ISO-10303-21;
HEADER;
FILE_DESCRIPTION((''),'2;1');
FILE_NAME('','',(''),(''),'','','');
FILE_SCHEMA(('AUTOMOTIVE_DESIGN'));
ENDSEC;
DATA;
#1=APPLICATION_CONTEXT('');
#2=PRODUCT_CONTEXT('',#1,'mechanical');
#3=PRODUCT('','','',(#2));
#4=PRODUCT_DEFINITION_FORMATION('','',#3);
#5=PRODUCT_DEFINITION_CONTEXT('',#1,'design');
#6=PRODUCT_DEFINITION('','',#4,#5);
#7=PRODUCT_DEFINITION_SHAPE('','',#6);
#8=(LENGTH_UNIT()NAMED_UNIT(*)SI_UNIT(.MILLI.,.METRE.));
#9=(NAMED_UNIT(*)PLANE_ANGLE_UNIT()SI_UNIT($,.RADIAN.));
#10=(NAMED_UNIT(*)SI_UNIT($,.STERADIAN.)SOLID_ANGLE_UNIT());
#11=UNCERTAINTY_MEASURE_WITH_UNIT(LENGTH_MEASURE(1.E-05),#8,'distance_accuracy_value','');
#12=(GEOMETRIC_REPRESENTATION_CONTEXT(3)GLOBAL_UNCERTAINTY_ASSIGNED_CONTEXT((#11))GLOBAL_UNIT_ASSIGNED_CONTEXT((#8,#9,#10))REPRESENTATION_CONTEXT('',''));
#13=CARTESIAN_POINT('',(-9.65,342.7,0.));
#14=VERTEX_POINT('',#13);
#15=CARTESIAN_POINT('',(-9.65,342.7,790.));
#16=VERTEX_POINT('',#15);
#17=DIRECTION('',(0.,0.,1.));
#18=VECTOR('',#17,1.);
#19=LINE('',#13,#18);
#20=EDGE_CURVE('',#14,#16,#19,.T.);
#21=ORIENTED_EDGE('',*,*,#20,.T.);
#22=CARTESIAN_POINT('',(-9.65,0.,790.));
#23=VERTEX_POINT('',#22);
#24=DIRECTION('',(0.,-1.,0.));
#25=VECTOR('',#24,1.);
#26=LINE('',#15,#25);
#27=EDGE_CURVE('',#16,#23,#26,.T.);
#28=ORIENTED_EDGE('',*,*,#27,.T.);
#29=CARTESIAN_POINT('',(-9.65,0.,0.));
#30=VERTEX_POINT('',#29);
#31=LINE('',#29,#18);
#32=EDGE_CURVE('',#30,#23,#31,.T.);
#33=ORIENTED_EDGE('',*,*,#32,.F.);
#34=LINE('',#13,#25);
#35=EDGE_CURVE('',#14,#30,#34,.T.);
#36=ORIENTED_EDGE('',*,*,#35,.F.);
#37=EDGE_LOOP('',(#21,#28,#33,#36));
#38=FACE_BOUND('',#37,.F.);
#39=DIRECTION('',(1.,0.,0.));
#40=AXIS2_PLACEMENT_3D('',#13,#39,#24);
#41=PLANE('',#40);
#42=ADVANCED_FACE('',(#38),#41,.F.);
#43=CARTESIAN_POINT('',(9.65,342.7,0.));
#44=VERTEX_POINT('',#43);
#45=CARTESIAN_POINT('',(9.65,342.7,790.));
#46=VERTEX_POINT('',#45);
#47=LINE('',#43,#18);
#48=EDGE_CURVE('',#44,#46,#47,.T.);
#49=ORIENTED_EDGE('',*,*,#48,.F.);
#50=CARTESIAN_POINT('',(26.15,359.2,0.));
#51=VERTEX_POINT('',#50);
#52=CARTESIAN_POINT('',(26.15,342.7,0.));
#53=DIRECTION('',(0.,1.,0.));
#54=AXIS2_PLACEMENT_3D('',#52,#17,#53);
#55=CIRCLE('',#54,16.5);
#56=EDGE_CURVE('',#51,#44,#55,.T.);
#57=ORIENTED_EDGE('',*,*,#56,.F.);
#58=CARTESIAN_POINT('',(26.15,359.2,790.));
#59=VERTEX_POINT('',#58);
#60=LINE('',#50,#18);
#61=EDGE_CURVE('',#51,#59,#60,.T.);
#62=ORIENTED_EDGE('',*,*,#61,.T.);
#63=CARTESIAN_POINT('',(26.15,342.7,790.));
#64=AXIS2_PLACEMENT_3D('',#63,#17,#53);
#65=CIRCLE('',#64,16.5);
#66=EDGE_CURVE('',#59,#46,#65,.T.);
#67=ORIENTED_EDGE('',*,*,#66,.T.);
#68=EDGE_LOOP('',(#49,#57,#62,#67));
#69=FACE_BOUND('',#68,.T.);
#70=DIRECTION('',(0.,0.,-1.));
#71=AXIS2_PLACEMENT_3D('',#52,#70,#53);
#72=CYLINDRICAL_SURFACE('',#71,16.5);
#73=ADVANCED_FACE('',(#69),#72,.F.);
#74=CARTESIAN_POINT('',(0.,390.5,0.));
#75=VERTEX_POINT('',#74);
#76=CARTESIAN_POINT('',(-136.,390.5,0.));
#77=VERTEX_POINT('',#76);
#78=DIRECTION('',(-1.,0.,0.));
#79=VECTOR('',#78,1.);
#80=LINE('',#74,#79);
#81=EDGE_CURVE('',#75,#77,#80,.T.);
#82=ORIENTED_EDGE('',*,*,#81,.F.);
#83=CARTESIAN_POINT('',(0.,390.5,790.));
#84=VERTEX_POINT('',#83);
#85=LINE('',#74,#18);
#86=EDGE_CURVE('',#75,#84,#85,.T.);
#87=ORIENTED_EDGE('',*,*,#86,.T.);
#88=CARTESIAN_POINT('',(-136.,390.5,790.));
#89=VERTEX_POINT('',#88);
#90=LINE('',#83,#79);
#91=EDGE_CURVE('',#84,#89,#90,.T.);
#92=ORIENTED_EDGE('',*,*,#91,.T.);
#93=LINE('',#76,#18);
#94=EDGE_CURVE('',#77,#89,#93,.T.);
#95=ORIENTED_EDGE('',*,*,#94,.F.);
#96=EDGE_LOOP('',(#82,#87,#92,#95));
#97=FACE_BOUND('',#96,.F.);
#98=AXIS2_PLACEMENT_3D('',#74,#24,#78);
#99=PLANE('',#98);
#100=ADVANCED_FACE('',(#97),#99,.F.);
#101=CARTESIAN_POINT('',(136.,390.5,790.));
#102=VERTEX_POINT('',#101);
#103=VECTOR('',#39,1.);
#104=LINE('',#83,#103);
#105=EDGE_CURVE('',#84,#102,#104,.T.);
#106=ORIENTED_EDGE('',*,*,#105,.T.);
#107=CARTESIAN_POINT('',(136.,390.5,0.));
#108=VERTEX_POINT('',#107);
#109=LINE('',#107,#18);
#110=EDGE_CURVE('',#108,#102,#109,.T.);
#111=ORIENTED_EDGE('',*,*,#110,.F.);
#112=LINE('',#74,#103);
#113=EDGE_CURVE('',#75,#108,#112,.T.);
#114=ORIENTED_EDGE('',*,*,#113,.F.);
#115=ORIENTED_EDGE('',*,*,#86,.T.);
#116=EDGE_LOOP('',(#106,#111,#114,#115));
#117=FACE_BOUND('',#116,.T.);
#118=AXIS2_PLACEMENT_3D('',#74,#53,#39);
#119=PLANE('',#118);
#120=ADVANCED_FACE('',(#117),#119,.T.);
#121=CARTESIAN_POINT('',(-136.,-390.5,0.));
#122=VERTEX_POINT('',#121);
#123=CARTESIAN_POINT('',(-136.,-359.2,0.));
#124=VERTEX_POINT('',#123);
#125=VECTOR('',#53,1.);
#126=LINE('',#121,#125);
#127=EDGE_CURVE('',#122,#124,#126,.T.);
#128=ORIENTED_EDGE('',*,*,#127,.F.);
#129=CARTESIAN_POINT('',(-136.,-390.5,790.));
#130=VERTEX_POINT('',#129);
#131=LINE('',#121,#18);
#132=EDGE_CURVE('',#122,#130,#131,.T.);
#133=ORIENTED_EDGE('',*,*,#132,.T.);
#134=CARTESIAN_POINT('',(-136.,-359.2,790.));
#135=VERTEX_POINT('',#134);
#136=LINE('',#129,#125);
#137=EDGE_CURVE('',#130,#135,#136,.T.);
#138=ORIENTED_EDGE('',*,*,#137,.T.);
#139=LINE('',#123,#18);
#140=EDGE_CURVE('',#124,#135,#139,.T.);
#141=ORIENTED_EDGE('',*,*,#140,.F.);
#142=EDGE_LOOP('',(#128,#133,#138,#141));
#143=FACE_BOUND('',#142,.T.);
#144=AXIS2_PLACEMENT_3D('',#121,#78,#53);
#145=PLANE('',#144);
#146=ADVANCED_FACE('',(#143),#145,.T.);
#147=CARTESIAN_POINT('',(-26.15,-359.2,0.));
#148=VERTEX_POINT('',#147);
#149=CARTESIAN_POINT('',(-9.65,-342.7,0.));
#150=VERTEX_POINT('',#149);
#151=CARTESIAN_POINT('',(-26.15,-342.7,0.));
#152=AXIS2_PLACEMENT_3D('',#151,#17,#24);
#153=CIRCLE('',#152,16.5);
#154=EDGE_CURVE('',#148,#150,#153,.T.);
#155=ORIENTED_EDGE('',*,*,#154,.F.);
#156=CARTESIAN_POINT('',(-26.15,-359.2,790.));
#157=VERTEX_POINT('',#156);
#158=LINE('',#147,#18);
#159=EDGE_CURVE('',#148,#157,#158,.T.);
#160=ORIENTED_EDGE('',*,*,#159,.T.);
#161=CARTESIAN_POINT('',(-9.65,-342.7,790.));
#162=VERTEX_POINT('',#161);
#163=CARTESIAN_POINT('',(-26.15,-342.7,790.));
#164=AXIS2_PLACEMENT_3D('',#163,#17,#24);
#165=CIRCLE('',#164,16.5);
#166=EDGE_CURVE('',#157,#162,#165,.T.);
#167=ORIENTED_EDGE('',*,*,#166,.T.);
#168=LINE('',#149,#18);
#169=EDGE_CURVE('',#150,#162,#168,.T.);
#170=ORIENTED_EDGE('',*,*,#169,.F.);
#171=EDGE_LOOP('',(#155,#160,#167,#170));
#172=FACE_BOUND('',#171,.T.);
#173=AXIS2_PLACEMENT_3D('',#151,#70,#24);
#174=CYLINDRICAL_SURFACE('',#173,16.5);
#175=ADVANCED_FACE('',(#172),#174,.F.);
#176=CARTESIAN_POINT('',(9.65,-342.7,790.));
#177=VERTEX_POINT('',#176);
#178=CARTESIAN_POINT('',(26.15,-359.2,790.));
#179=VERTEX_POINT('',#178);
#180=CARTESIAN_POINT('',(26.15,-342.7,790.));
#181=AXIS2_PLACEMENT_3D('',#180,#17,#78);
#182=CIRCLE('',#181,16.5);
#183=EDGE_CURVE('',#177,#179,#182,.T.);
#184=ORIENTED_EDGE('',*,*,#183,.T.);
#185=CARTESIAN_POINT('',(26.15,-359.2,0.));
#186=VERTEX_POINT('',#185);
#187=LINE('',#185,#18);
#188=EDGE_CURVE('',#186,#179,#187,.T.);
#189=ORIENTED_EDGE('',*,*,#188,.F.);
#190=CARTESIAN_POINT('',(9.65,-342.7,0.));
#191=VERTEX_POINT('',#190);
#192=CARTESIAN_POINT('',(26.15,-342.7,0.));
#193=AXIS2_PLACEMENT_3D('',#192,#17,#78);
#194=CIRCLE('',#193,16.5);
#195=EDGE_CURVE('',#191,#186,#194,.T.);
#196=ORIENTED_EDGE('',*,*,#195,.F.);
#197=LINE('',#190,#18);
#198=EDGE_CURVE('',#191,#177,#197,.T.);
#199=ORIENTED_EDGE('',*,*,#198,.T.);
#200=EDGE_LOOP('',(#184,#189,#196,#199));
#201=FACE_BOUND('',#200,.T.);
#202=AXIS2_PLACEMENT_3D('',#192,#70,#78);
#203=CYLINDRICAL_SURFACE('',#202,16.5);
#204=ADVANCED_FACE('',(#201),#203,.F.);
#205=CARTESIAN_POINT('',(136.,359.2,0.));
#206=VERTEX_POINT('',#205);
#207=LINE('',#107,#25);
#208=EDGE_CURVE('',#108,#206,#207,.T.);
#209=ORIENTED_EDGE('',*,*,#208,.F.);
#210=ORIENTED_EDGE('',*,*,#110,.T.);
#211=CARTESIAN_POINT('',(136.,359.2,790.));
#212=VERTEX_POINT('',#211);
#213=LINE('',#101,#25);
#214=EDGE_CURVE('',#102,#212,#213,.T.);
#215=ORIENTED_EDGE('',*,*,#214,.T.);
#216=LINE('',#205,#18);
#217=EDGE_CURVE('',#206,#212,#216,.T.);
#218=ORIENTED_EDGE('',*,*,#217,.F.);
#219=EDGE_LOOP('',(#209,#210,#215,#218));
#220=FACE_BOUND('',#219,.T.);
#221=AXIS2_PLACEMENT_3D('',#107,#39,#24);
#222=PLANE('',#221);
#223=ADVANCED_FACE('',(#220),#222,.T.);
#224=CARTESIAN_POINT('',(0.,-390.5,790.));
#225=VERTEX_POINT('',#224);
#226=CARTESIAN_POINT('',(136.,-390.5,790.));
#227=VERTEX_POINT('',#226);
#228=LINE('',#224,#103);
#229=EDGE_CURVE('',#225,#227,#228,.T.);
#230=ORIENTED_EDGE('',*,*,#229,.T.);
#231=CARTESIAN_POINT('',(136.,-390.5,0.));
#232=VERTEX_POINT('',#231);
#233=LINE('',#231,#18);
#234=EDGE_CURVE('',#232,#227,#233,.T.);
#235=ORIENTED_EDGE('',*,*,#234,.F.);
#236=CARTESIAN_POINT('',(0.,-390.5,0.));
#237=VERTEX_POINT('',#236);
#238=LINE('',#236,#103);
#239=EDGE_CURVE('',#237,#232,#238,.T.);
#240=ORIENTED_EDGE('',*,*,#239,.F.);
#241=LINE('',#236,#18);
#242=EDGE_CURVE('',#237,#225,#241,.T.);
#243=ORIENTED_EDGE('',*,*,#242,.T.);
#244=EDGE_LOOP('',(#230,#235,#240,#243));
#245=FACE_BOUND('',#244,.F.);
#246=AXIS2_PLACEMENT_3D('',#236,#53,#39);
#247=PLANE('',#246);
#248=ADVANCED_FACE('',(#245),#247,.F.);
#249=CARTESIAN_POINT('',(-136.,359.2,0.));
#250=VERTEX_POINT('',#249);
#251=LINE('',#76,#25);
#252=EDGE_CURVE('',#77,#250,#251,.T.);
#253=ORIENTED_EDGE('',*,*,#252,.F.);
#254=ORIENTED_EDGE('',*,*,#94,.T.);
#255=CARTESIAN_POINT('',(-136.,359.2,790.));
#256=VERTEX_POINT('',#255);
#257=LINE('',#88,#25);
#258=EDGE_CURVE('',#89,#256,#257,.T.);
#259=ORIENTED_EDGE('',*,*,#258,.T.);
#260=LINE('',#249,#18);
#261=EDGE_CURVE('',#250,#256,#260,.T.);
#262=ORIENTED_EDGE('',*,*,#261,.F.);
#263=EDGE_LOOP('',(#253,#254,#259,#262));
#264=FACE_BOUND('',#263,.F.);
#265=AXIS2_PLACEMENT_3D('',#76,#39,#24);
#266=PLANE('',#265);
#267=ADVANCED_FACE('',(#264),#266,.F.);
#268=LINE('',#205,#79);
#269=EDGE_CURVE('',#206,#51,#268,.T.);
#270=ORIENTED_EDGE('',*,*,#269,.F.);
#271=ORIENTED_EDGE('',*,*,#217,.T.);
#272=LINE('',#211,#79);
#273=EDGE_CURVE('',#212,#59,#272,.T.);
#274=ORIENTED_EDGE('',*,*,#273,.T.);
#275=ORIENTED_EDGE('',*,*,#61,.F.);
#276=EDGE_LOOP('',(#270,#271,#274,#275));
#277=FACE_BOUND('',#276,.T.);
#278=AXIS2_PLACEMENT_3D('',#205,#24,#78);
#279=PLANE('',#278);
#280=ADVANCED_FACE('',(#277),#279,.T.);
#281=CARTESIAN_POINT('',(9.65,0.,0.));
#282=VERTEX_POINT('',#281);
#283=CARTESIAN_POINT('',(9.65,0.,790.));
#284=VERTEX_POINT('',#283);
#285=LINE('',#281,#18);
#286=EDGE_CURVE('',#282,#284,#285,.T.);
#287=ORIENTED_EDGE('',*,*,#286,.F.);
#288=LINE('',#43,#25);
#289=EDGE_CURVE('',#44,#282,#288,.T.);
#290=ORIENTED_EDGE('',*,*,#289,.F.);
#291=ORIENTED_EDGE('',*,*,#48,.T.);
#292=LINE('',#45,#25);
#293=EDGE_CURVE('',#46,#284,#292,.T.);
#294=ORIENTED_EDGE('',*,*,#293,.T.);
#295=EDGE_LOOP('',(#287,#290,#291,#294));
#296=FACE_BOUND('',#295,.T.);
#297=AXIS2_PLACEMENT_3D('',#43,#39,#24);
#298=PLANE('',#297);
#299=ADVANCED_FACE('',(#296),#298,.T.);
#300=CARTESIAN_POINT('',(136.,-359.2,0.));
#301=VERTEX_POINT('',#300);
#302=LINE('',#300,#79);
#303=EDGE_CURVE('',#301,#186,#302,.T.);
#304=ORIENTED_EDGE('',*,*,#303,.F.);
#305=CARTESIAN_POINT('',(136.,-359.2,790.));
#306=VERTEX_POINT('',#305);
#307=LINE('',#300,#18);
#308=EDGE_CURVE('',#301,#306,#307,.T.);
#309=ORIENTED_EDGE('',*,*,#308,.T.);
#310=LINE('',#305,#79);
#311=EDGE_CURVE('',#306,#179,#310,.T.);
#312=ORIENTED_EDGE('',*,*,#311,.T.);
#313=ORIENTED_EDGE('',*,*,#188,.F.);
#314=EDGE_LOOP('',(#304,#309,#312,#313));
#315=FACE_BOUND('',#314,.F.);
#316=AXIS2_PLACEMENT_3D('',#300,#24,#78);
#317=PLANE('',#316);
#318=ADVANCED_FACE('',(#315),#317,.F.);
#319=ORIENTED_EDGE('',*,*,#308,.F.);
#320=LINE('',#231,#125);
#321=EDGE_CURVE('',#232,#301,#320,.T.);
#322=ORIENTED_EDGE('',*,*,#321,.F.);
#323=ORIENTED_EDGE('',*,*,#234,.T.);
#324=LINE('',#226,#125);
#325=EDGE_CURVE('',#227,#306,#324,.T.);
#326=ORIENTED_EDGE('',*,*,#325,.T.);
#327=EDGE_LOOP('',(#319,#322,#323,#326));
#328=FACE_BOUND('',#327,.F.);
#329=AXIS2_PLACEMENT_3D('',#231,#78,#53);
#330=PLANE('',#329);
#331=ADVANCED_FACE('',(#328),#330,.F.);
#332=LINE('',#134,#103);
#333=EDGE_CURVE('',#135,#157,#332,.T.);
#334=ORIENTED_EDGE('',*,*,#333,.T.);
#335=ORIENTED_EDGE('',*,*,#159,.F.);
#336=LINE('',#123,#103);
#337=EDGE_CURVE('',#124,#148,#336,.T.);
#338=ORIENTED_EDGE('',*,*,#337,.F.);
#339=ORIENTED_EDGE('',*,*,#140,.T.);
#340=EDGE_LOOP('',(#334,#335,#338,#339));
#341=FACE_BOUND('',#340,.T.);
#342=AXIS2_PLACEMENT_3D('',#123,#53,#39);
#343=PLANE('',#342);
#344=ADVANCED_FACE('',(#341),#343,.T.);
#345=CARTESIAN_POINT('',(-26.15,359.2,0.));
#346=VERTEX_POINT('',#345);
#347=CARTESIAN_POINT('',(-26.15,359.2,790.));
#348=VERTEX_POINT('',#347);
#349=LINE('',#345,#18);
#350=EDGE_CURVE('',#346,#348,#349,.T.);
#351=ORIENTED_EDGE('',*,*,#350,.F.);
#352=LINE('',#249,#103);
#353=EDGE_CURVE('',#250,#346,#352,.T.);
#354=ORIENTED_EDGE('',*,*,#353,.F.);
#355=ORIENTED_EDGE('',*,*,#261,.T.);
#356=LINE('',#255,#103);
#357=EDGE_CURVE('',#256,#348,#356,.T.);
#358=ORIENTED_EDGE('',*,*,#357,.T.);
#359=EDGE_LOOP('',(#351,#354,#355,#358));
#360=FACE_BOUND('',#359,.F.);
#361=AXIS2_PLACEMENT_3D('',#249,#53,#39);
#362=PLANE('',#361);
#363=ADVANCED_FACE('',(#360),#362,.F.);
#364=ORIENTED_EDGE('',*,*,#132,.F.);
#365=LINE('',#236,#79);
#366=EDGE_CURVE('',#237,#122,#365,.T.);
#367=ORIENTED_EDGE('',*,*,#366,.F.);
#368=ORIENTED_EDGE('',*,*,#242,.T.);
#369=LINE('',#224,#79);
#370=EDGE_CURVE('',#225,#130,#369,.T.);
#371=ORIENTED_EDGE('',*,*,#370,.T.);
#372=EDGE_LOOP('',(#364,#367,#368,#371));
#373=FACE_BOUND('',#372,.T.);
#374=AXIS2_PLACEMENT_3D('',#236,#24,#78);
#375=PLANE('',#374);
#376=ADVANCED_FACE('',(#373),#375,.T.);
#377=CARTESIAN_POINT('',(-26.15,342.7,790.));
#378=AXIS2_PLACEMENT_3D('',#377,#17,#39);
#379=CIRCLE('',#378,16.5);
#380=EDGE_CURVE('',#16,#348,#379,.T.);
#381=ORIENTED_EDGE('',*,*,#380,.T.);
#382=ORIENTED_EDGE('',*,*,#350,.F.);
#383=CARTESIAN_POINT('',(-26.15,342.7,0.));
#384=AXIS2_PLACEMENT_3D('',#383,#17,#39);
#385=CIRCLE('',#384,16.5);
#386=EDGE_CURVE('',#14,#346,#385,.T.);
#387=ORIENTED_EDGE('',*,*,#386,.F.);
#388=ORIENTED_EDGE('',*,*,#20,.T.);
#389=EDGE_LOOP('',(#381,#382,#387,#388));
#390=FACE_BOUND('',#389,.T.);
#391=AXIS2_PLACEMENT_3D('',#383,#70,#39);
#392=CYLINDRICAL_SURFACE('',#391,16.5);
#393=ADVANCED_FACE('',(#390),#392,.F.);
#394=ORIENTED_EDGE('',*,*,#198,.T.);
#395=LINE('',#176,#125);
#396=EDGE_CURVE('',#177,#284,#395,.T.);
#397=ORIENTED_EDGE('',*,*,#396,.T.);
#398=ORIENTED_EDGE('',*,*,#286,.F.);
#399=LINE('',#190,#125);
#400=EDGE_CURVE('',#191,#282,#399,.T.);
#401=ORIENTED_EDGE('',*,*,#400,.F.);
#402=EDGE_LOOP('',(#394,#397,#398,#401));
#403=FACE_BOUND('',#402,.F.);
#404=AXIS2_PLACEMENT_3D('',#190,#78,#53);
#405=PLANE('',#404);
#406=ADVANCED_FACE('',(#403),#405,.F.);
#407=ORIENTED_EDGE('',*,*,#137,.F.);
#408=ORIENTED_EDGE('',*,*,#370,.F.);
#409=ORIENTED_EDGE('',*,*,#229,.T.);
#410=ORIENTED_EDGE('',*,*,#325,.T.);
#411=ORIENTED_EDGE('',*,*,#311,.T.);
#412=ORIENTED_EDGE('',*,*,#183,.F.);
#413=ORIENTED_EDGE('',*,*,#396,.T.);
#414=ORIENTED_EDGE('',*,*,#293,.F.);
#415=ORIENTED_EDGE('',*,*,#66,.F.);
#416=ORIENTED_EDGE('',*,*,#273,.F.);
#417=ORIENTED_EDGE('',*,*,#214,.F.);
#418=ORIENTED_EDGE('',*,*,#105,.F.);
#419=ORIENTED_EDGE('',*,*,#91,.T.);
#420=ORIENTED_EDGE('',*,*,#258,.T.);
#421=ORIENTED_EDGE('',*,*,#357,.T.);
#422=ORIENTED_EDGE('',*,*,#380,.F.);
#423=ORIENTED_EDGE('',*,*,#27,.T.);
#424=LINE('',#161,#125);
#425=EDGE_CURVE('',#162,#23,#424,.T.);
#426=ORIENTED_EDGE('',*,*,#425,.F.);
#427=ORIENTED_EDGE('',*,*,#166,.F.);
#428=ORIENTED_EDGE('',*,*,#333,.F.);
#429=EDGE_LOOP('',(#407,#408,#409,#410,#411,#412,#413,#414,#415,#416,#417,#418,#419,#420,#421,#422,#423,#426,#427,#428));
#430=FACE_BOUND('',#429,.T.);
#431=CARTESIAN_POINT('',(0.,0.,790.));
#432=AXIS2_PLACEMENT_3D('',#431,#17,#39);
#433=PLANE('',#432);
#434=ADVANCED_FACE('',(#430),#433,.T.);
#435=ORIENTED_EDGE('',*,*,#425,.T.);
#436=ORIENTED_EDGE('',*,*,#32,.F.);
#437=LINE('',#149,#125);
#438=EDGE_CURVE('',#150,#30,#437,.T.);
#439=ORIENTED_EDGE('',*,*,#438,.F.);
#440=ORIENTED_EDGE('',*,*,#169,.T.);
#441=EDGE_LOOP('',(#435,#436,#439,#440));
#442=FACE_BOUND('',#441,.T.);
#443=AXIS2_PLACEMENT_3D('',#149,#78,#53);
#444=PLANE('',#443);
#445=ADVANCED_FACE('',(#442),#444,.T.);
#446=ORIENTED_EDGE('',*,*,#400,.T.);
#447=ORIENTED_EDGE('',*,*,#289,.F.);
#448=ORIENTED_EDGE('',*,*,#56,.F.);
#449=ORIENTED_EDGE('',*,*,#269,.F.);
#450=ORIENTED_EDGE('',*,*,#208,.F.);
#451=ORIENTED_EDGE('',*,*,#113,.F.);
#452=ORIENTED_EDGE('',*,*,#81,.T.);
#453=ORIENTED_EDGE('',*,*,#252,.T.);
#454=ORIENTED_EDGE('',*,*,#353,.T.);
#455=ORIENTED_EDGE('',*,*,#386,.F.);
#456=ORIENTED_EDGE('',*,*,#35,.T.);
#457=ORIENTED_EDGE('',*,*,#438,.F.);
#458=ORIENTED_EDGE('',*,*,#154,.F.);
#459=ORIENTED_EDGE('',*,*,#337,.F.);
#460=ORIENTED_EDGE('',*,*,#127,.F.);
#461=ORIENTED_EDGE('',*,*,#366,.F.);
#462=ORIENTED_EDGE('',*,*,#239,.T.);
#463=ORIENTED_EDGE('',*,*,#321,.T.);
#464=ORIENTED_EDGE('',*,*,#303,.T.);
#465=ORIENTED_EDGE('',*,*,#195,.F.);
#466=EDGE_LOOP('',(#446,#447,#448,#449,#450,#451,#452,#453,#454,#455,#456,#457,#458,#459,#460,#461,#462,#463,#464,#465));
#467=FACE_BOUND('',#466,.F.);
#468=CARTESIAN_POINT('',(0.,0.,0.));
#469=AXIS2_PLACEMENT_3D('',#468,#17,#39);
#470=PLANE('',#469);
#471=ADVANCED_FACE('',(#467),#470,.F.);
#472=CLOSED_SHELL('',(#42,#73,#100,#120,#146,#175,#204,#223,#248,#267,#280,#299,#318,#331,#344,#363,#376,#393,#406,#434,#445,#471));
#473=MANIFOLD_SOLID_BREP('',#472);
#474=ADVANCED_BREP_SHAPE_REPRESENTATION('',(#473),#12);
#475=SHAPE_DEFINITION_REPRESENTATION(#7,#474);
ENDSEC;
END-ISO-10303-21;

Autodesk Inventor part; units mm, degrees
ref_plane "YZ Plane" through (0, 0, 0) normal (1, 0, 0) x (0, 1, 0)
ref_plane "Start plane" through (0, 0, 0) normal (0, 0, 1) x (1, 0, 0)
ref_plane "End plane" through (0, 0, 790) normal (0, 0, 1) x (1, 0, 0)
sketch "Sketch" plane through (0, 0, 0) normal (0, 0, 1) x (1, 0, 0)
  line L0 (-136, -390.5) -> (-136, -359.2)
  line L1 (-136, -359.2) -> (-26.15, -359.2)
  line L2 (-9.65, -342.7) -> (-9.65, 0)
  line L3 (-9.65, 0) -> (0, 0) construction
  line L4 (0, 0) -> (0, -390.5) construction
  line L5 (0, -390.5) -> (-136, -390.5)
  line L6 (-60, 0) -> (80, 0) construction
  line L7 (0, -60) -> (0, 80) construction
  line L8 (136, -390.5) -> (136, -359.2)
  line L9 (136, -359.2) -> (26.15, -359.2)
  line L10 (9.65, -342.7) -> (9.65, 0)
  line L11 (9.65, 0) -> (0, 0) construction
  line L12 (0, -390.5) -> (136, -390.5)
  line L13 (-136, 390.5) -> (-136, 359.2)
  line L14 (-136, 359.2) -> (-26.15, 359.2)
  line L15 (-9.65, 342.7) -> (-9.65, 0)
  line L16 (0, 390.5) -> (-136, 390.5)
  line L17 (136, 390.5) -> (136, 359.2)
  line L18 (136, 359.2) -> (26.15, 359.2)
  line L19 (0, 390.5) -> (136, 390.5)
  line L20 (9.65, 342.7) -> (9.65, 0)
  arc A0 (-9.65, 342.7) -> (-26.15, 359.2) centre (-26.15, 342.7) ccw
  arc A1 (26.15, 359.2) -> (9.65, 342.7) centre (26.15, 342.7) ccw
  arc A2 (9.65, -342.7) -> (26.15, -359.2) centre (26.15, -342.7) ccw
  arc A3 (-26.15, -359.2) -> (-9.65, -342.7) centre (-26.15, -342.7) ccw
  line L21 (0, 108) -> (0, -88) construction
  line L22 (-88, 0) -> (108, 0) construction
  point P0 (-9.65, -359.2)
  point P1 (9.65, -359.2)
  point P2 (-9.65, 359.2)
  point P3 (9.65, 359.2)
  dimension "d1" = 390.5
  dimension "d2" = 31.3
  dimension "d3" = 136
  dimension "d4" = 9.65
  dimension "d10" = 16.5
extrude "Body" add sketch "Sketch" along normal up to surface (790 mm away) from surface at 0
sketch "Sketch4" plane through (0, 0, 0) normal (0, 0, 1) x (1, 0, 0)
  line L0 (0, 0) -> (10, 0)
ref_plane "Work Plane3" through (0, 0, 0) normal (0, -1, 0) x (1, 0, 0)
sketch "Sketch5" plane through (0, 0, 0) normal (0, -1, 0) x (1, 0, 0)
  line L0 (-2, 0) -> (12, 0) projected
  line L1 (-2, 790) -> (12, 790) projected
  dimension "d14" = 790
equation "\"d1\" = 0.5 * G_H"
equation "\"d2\" = G_T1"
equation "\"d3\" = 0.5 * G_W"
equation "\"d4\" = 0.5 * G_T"
equation "\"d10\" = G_IR"
equation "\"d5\" = G_L"
equation "\"G_W\" = 272"
equation "\"G_H\" = 781"
equation "\"G_T\" = 19.3"
equation "\"G_T1\" = 31.3"
equation "\"G_IR\" = 16.5"
equation "\"G_L\" = d14"
equation "\"G_OFFSET_START\" = 0"
equation "\"G_OFFSET_END\" = 0"
properties part number "AS 3679-1990 - 760 UB - 244 - 790" material "Steel, Mild"
